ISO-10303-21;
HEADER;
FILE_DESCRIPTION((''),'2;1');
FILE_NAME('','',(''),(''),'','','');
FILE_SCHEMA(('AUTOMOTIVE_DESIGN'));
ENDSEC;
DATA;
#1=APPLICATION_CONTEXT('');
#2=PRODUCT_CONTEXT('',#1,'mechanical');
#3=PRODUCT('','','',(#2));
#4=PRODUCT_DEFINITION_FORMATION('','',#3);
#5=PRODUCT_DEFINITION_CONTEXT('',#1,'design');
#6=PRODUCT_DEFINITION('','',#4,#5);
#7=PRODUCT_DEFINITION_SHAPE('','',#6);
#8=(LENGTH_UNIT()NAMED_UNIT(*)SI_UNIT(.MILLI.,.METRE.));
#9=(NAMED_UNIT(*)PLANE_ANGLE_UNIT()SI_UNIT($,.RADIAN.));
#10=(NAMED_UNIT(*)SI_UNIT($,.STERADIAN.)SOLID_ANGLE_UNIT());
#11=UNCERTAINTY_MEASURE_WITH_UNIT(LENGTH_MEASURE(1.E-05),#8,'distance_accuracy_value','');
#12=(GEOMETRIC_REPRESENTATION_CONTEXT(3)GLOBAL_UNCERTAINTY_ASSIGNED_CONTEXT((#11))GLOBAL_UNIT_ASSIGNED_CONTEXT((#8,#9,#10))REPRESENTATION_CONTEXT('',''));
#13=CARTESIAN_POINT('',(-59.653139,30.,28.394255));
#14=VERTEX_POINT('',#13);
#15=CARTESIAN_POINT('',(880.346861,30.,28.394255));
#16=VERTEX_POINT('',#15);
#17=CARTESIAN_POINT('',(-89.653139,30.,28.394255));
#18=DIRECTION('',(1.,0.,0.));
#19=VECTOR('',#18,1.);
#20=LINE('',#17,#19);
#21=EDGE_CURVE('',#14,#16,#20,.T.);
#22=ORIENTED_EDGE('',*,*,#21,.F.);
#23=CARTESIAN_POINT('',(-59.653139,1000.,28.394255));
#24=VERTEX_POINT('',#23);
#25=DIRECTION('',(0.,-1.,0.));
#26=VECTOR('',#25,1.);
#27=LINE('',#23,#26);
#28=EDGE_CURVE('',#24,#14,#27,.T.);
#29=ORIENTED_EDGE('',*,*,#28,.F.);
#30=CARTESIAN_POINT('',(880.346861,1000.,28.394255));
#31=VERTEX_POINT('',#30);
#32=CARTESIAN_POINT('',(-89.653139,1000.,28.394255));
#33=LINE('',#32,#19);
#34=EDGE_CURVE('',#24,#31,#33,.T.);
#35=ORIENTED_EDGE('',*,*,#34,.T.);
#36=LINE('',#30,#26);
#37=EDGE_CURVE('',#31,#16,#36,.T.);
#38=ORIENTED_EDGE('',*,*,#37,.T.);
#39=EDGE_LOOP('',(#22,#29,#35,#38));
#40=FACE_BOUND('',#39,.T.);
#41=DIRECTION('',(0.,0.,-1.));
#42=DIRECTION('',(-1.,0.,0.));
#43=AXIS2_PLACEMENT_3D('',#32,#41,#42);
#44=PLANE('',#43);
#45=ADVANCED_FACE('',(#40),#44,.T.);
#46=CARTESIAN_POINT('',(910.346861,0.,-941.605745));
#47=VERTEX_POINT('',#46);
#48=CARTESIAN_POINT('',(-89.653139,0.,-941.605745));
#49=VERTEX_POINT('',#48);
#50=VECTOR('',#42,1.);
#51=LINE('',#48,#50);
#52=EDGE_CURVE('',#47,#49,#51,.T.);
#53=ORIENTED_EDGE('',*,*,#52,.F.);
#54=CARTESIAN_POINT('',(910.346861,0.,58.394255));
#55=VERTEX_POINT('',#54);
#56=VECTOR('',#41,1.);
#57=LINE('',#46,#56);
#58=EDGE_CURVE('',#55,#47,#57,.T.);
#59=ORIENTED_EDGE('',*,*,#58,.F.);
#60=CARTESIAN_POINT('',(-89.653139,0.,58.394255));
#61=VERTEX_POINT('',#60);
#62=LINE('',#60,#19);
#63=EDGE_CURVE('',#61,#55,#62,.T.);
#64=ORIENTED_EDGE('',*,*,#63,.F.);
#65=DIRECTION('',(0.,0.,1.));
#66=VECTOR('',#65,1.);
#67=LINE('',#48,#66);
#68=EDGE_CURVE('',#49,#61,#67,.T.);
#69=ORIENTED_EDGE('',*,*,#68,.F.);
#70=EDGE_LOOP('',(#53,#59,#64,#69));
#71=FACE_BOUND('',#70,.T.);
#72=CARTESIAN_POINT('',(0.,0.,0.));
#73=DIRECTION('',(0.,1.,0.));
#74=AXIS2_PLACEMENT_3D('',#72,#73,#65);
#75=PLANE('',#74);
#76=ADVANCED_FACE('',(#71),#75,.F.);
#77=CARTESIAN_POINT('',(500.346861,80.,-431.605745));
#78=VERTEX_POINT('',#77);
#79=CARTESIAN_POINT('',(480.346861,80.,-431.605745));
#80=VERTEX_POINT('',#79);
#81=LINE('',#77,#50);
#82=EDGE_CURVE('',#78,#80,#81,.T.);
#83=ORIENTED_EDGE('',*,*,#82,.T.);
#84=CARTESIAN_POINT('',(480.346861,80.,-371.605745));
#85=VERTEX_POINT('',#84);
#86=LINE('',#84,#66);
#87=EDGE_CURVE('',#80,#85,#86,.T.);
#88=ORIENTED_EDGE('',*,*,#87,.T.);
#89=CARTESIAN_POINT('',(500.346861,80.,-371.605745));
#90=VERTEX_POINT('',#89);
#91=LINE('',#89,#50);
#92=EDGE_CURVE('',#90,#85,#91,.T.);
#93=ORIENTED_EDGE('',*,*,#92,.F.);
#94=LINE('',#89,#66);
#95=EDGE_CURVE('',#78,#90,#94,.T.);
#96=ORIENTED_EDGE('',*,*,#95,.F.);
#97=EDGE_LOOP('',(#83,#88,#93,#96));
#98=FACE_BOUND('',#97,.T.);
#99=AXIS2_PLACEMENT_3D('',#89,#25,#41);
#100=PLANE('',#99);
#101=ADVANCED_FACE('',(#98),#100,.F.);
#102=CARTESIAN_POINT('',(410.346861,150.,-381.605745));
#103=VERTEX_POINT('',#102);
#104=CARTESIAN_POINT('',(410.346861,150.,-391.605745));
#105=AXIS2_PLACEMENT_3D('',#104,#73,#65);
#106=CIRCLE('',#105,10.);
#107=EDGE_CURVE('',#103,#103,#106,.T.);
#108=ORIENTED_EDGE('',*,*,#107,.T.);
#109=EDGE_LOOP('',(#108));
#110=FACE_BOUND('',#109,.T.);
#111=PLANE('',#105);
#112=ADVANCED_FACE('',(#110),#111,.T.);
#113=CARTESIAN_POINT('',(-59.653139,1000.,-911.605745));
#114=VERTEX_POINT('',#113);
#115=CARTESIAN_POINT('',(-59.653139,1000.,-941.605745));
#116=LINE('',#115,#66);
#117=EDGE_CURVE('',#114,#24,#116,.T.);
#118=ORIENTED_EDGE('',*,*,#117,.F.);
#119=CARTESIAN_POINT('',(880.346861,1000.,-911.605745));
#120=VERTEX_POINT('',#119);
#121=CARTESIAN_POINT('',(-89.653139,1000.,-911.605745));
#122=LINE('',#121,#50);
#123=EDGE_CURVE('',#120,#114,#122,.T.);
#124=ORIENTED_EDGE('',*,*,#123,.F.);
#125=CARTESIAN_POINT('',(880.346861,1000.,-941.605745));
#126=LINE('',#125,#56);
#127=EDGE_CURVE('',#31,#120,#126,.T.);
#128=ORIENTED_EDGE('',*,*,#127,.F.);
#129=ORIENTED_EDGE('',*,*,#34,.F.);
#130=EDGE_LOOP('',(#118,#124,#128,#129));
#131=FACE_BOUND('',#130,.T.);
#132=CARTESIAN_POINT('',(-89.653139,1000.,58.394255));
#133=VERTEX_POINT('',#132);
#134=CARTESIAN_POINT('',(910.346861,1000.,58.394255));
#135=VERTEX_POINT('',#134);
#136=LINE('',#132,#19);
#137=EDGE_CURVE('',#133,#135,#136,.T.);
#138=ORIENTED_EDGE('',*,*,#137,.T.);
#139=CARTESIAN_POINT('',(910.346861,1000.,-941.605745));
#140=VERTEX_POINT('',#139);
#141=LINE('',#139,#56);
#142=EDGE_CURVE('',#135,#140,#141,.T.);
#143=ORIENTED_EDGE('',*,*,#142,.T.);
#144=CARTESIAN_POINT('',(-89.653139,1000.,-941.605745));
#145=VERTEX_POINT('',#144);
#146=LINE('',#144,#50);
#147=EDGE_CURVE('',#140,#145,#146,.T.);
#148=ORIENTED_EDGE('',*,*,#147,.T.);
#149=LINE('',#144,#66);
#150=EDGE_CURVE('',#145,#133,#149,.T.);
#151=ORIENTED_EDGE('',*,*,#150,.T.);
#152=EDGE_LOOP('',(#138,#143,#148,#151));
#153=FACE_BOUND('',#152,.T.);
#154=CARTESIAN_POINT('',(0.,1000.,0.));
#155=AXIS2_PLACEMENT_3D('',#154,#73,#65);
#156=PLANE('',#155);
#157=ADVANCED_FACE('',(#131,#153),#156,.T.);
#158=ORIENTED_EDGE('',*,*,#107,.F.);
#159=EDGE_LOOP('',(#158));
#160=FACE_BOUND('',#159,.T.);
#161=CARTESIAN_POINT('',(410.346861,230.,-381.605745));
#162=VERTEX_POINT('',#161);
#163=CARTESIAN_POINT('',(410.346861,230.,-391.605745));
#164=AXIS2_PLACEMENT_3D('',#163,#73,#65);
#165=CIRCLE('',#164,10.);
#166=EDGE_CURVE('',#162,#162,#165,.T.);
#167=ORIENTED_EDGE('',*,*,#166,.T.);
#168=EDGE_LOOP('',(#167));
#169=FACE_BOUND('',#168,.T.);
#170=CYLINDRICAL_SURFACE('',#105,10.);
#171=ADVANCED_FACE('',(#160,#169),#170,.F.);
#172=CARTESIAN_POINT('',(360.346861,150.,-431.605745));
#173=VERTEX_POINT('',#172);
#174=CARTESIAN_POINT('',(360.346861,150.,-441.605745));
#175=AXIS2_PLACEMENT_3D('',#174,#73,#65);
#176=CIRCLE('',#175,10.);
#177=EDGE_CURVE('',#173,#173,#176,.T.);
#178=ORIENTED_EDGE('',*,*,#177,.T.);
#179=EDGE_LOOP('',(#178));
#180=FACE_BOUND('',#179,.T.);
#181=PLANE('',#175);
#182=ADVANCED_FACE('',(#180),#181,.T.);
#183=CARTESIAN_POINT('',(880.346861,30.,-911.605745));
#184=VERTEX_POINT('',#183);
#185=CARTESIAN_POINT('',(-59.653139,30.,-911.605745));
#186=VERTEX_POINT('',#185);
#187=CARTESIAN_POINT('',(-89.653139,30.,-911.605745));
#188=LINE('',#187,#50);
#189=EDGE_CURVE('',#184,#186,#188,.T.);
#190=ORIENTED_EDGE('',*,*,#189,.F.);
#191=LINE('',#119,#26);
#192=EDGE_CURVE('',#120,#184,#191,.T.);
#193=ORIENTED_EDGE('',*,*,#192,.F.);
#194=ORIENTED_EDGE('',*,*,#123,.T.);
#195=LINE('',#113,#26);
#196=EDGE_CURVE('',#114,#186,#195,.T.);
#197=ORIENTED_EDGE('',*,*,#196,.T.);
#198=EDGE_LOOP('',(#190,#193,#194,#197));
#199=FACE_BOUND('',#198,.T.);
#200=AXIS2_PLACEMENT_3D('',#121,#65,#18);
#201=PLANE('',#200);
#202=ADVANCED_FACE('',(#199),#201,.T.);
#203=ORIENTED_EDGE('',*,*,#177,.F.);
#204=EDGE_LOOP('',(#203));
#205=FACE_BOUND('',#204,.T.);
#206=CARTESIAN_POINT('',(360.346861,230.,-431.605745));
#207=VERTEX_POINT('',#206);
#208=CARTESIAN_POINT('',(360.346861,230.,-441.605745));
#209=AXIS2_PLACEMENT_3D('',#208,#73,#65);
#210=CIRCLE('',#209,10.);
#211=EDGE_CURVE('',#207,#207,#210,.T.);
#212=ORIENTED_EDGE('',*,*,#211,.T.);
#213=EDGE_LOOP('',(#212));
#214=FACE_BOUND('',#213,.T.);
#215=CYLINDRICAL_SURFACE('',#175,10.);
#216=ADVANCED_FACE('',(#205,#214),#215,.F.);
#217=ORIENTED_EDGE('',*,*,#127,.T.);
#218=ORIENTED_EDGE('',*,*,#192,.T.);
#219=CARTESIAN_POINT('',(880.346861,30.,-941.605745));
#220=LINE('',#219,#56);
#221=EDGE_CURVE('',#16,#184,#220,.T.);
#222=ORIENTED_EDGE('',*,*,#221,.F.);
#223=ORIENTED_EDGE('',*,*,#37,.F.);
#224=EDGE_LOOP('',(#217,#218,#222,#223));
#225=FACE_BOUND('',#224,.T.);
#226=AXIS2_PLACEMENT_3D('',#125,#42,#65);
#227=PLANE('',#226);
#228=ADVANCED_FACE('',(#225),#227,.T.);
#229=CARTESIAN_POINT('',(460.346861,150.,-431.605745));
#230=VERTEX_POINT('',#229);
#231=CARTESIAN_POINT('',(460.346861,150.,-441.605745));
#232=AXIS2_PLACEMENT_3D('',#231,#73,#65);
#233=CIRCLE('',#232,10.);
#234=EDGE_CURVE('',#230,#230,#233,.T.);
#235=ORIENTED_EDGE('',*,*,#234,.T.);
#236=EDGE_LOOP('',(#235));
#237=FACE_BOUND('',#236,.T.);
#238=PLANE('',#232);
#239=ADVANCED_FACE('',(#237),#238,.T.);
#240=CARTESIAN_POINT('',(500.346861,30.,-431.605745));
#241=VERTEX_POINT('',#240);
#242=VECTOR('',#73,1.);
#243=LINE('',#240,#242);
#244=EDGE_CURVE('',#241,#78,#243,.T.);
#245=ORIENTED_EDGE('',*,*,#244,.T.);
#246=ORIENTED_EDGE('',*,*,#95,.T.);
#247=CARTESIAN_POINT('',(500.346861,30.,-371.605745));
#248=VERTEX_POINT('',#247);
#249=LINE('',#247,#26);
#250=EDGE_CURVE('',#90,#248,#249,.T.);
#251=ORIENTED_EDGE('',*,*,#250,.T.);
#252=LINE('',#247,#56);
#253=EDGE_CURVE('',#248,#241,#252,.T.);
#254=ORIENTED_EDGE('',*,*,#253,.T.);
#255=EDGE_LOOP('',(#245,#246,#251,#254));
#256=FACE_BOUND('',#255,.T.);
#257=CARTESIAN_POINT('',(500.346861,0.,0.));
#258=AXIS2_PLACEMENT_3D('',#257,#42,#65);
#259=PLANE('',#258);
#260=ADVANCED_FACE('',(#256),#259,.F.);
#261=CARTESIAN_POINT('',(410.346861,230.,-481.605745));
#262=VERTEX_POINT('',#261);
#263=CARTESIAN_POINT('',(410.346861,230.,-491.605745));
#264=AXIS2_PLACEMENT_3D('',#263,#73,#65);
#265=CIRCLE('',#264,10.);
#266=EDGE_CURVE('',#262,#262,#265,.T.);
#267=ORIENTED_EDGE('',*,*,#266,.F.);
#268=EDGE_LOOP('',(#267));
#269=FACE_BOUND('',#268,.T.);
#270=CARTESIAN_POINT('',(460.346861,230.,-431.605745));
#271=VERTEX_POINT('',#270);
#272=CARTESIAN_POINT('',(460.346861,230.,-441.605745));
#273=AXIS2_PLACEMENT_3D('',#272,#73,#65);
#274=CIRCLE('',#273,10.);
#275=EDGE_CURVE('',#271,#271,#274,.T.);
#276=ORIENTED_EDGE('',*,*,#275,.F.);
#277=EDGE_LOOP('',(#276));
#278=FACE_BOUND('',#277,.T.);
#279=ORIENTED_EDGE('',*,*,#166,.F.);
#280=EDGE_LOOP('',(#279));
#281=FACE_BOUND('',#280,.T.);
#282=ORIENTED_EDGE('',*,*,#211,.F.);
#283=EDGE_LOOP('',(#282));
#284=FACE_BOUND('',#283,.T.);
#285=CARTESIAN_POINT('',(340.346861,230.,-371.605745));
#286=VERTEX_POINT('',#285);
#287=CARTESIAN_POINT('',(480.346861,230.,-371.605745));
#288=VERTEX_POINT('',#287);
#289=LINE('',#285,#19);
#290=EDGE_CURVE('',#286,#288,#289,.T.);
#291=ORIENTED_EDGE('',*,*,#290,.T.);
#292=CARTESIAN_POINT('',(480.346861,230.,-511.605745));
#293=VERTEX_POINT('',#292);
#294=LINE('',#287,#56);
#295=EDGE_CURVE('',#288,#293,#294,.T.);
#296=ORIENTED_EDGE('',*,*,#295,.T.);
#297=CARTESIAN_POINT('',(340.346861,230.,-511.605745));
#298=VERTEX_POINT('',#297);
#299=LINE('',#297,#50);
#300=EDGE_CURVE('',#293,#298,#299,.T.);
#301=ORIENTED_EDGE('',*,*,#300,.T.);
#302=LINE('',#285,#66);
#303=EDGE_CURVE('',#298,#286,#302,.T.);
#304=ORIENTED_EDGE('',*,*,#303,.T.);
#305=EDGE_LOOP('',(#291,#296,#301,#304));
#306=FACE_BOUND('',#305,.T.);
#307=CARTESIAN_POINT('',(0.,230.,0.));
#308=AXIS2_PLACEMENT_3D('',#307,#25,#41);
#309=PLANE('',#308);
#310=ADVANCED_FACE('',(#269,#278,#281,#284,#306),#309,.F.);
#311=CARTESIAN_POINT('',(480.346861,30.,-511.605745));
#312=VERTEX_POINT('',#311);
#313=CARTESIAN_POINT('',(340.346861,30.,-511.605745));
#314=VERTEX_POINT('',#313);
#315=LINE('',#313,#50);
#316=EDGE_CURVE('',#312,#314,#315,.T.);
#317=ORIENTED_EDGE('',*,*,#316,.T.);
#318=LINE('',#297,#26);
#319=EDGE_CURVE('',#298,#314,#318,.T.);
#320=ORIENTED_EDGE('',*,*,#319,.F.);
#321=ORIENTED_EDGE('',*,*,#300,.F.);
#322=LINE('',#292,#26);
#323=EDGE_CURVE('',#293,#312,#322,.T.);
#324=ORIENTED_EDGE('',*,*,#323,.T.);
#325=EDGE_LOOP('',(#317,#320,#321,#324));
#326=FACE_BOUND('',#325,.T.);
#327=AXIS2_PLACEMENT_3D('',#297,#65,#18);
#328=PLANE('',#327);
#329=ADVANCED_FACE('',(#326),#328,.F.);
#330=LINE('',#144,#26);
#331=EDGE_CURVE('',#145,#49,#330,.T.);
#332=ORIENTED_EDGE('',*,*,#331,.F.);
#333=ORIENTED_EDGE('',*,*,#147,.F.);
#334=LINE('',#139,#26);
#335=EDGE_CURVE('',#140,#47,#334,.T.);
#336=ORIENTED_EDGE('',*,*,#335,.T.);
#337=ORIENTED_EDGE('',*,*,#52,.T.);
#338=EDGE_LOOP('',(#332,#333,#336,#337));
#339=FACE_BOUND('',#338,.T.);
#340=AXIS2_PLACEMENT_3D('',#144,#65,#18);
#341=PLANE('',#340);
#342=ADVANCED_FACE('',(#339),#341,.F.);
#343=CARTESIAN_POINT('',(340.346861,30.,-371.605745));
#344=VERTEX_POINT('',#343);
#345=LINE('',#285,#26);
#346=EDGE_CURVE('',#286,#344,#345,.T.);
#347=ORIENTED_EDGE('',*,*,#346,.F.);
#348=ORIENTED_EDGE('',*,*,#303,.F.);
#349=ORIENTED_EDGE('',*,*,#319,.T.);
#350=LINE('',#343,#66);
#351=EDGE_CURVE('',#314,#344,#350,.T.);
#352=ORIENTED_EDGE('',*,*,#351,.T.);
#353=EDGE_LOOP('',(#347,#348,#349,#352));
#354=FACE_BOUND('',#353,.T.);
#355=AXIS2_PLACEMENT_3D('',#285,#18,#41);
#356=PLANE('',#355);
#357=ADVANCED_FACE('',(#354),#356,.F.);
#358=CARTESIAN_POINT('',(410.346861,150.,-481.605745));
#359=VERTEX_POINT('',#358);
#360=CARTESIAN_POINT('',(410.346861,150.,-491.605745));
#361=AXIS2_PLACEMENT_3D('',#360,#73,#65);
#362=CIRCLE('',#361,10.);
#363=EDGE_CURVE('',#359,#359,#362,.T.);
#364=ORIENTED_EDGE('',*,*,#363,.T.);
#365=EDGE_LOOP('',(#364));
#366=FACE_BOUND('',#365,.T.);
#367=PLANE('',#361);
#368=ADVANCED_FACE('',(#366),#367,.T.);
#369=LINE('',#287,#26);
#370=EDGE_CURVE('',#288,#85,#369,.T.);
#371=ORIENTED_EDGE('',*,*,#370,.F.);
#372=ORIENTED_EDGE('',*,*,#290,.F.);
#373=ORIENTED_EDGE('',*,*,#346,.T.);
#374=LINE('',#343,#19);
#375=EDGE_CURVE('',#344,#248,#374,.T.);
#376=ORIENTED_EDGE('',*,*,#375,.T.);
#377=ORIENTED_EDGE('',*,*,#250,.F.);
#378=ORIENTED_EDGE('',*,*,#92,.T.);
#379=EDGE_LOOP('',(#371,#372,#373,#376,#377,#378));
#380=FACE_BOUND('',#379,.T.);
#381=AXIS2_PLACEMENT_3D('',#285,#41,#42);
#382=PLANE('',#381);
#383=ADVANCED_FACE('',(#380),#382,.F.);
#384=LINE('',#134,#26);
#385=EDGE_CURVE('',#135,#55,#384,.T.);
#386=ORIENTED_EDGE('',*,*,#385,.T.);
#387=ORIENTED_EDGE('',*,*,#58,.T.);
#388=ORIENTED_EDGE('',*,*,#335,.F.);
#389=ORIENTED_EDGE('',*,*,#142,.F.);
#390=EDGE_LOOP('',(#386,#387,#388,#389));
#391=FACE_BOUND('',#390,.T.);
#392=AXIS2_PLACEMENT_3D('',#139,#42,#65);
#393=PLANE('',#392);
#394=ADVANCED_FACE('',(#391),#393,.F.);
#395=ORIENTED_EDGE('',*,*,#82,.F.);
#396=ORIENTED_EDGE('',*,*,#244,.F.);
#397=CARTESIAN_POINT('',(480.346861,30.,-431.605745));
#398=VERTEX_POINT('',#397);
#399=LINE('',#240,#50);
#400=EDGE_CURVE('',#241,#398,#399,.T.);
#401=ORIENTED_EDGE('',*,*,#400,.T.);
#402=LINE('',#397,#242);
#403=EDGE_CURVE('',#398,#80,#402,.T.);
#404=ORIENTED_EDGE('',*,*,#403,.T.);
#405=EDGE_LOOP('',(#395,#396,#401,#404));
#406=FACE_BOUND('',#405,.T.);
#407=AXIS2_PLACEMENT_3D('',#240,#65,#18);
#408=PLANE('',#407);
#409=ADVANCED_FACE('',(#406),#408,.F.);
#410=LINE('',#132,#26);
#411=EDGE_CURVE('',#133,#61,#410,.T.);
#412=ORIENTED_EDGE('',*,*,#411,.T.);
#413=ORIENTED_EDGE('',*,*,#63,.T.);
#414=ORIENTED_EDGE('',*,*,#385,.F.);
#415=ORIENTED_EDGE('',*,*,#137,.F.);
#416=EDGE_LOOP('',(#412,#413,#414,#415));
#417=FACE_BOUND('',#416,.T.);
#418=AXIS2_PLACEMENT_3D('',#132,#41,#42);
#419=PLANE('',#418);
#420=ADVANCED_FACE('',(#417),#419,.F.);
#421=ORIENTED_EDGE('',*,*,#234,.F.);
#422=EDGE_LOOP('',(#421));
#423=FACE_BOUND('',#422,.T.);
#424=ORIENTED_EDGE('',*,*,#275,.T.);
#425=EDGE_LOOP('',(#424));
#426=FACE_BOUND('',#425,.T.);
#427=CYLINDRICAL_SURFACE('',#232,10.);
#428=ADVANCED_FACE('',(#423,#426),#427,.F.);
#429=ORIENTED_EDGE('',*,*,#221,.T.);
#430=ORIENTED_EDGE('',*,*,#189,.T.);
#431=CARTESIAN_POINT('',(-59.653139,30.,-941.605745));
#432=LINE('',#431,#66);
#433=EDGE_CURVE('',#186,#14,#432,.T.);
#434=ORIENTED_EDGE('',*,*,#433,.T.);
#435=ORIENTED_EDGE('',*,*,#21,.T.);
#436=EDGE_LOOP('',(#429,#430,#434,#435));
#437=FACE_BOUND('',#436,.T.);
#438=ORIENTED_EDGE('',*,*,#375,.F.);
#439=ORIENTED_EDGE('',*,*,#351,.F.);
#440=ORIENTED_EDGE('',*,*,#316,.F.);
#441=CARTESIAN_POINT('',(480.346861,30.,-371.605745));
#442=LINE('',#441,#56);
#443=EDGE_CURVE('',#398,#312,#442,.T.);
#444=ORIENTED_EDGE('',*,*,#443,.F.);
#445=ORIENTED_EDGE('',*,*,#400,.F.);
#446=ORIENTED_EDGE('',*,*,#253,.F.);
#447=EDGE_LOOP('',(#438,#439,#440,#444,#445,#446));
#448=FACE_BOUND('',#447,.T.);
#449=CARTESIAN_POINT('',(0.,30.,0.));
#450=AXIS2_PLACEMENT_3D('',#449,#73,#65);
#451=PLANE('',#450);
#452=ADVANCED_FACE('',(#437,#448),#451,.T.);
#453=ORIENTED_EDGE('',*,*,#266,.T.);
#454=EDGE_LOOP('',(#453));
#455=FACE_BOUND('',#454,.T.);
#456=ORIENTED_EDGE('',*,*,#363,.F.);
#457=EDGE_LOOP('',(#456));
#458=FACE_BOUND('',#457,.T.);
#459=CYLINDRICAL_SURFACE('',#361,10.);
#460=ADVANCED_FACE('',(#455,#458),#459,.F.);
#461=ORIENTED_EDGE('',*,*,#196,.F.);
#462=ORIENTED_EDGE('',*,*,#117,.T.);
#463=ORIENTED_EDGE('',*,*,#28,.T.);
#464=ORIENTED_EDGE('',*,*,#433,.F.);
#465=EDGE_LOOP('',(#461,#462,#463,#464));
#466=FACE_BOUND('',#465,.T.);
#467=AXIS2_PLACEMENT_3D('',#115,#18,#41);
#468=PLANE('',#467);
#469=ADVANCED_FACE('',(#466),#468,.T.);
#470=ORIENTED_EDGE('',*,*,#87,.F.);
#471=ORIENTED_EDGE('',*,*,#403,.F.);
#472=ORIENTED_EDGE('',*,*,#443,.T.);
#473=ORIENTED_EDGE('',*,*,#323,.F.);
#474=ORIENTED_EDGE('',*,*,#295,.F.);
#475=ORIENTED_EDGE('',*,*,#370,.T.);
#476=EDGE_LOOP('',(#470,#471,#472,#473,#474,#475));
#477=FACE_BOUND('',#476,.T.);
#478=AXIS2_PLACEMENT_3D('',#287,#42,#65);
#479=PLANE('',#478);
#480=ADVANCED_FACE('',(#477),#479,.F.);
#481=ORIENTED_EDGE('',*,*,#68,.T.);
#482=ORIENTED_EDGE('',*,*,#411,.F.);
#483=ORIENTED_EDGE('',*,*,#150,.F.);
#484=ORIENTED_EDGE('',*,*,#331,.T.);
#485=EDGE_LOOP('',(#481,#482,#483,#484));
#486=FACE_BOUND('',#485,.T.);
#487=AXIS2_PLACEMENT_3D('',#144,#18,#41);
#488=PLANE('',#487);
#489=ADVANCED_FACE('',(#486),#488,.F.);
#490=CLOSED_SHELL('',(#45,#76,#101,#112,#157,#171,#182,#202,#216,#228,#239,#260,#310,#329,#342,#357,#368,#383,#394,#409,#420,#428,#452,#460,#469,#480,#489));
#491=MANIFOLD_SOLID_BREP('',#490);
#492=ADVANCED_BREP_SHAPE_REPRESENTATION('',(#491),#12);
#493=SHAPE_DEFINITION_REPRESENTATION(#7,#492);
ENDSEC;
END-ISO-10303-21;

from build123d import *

# Parameters (mm, degrees)
SKETCH1_W           = 1000
SKETCH1_H           = 1000
BOSS_EXTRUDE1_DEPTH = 1000
SHELL1_T            = -30
SKETCH4_W           = 140
SKETCH4_H           = 140
BOSS_EXTRUDE2_DEPTH = 200
SKETCH5_W           = 60
SKETCH5_H           = 50
BOSS_EXTRUDE3_DEPTH = 20
SKETCH6_R           = 10
CUT_EXTRUDE5_DEPTH  = 80


with BuildPart() as part:
    # Sketch1 → Boss-Extrude1 (new body)
    with BuildSketch(Plane(origin=(0, 0, 0), x_dir=(1, 0, 0), z_dir=(0, 1, 0))):
        with Locations((410.346861064, 441.605744818)):
            Rectangle(SKETCH1_W, SKETCH1_H)
    extrude(amount=BOSS_EXTRUDE1_DEPTH)

    # Shell1
    shell1_openings = [part.faces().sort_by_distance(p)[0] for p in [
        (410.346861064, 1000, -441.605744818),
    ]]
    offset(amount=SHELL1_T, openings=shell1_openings, kind=Kind.INTERSECTION)

    # Sketch4 → Boss-Extrude2 (add)
    with BuildSketch(Plane(origin=(0, 30, 0), x_dir=(1, 0, 0), z_dir=(0, 1, 0))):
        with Locations((410.346861064, 441.605744818)):
            Rectangle(SKETCH4_W, SKETCH4_H)
    extrude(amount=BOSS_EXTRUDE2_DEPTH)

    # Sketch5 → Boss-Extrude3 (add)
    with BuildSketch(Plane(origin=(480.346861064, 0, 0), x_dir=(0, 0, -1), z_dir=(1, 0, 0))):
        with Locations((401.605744818, 55)):
            Rectangle(SKETCH5_W, SKETCH5_H)
    extrude(amount=BOSS_EXTRUDE3_DEPTH)

    # Sketch6 → Cut-Extrude5 (cut)
    with BuildSketch(Plane(origin=(0, 230, 0), x_dir=(1, 0, 0), z_dir=(0, 1, 0))):
        with Locations((410.346861064, 491.605744818)):
            Circle(SKETCH6_R)
        with Locations((360.346861064, 441.605744818)):
            Circle(SKETCH6_R)
        with Locations((410.346861064, 391.605744818)):
            Circle(SKETCH6_R)
        with Locations((460.346861064, 441.605744818)):
            Circle(SKETCH6_R)
    extrude(amount=-CUT_EXTRUDE5_DEPTH, mode=Mode.SUBTRACT)


solid = part.part
